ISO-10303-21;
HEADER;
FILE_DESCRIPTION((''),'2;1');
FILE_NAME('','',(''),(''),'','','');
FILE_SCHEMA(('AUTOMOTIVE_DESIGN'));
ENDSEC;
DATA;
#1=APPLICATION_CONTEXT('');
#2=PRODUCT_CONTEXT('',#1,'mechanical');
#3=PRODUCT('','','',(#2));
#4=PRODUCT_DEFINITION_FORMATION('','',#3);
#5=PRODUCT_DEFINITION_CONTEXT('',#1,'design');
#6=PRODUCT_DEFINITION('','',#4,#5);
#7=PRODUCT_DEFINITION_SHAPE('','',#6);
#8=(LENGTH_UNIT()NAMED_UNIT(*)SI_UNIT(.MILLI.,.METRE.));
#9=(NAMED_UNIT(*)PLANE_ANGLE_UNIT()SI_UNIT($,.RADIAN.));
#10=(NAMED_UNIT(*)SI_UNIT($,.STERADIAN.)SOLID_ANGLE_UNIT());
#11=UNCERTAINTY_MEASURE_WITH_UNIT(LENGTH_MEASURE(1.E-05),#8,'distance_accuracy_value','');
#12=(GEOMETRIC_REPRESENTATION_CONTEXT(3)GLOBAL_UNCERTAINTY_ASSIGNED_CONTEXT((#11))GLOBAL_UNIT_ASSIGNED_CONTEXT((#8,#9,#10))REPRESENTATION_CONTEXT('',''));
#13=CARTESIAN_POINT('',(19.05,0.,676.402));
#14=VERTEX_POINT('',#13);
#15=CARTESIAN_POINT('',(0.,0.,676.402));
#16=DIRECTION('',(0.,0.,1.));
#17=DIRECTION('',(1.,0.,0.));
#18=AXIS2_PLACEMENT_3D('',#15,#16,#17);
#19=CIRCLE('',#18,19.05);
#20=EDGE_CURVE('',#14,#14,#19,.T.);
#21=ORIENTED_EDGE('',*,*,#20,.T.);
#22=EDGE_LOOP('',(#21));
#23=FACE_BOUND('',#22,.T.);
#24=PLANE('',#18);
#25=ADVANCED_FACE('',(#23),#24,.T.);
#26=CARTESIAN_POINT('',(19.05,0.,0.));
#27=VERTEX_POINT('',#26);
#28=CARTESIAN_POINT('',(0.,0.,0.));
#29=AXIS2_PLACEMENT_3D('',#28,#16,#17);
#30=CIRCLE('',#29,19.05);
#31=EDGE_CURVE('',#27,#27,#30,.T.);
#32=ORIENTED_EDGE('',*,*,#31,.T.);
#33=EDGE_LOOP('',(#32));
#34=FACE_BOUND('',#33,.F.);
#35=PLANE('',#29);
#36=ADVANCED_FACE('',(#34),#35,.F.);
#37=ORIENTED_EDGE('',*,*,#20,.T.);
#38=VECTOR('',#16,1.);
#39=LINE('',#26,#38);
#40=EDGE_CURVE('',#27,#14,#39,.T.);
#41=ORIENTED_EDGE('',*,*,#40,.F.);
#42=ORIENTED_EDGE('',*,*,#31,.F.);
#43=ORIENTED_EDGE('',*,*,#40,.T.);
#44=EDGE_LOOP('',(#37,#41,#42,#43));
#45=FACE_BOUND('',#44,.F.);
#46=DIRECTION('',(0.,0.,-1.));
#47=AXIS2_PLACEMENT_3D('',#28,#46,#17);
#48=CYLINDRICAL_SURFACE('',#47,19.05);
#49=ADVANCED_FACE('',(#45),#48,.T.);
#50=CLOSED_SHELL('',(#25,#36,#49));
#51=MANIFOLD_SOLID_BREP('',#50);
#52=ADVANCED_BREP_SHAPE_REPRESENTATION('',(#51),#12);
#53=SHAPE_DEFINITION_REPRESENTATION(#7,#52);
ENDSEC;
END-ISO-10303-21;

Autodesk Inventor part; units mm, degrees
ref_plane "YZ Plane" through (0, 0, 0) normal (1, 0, 0) x (0, 1, 0)
ref_plane "Start plane" through (0, 0, 0) normal (0, 0, 1) x (1, 0, 0)
ref_plane "End plane" through (0, 0, 676.402) normal (0, 0, 1) x (1, 0, 0)
sketch "Sketch" plane through (0, 0, 0) normal (0, 0, 1) x (1, 0, 0)
  circle A0 centre (0, 0) radius 19.05
  dimension "d0" = 38.1
extrude "Body" add sketch "Sketch" along normal up to surface (676.402 mm away) from surface at 0
sketch "Sketch2" plane through (0, 0, 0) normal (0, 0, 1) x (1, 0, 0)
  line L0 (0, 0) -> (10, 0)
ref_plane "Work Plane3" through (0, 0, 0) normal (0, -1, 0) x (1, 0, 0)
sketch "Sketch3" plane through (0, 0, 0) normal (0, -1, 0) x (1, 0, 0)
  line L0 (-2, 0) -> (12, 0)
  line L1 (-2, 676.402) -> (12, 676.402)
  dimension "d7" = 676.402
equation "\"d0\" = Diam"
equation "\"d1\" = G_L"
equation "\"Diam\" = 38.1"
equation "\"G_L\" = d7"
equation "\"G_OFFSET_START\" = 0"
equation "\"G_OFFSET_END\" = 0"
equation "\"d5\" = G_OFFSET_END + B_L"
equation "\"B_L\" = 676.402"
properties part number "ANSI/AISC Rolled Steel - 1 1/2-26.63" material "Steel, Mild"
